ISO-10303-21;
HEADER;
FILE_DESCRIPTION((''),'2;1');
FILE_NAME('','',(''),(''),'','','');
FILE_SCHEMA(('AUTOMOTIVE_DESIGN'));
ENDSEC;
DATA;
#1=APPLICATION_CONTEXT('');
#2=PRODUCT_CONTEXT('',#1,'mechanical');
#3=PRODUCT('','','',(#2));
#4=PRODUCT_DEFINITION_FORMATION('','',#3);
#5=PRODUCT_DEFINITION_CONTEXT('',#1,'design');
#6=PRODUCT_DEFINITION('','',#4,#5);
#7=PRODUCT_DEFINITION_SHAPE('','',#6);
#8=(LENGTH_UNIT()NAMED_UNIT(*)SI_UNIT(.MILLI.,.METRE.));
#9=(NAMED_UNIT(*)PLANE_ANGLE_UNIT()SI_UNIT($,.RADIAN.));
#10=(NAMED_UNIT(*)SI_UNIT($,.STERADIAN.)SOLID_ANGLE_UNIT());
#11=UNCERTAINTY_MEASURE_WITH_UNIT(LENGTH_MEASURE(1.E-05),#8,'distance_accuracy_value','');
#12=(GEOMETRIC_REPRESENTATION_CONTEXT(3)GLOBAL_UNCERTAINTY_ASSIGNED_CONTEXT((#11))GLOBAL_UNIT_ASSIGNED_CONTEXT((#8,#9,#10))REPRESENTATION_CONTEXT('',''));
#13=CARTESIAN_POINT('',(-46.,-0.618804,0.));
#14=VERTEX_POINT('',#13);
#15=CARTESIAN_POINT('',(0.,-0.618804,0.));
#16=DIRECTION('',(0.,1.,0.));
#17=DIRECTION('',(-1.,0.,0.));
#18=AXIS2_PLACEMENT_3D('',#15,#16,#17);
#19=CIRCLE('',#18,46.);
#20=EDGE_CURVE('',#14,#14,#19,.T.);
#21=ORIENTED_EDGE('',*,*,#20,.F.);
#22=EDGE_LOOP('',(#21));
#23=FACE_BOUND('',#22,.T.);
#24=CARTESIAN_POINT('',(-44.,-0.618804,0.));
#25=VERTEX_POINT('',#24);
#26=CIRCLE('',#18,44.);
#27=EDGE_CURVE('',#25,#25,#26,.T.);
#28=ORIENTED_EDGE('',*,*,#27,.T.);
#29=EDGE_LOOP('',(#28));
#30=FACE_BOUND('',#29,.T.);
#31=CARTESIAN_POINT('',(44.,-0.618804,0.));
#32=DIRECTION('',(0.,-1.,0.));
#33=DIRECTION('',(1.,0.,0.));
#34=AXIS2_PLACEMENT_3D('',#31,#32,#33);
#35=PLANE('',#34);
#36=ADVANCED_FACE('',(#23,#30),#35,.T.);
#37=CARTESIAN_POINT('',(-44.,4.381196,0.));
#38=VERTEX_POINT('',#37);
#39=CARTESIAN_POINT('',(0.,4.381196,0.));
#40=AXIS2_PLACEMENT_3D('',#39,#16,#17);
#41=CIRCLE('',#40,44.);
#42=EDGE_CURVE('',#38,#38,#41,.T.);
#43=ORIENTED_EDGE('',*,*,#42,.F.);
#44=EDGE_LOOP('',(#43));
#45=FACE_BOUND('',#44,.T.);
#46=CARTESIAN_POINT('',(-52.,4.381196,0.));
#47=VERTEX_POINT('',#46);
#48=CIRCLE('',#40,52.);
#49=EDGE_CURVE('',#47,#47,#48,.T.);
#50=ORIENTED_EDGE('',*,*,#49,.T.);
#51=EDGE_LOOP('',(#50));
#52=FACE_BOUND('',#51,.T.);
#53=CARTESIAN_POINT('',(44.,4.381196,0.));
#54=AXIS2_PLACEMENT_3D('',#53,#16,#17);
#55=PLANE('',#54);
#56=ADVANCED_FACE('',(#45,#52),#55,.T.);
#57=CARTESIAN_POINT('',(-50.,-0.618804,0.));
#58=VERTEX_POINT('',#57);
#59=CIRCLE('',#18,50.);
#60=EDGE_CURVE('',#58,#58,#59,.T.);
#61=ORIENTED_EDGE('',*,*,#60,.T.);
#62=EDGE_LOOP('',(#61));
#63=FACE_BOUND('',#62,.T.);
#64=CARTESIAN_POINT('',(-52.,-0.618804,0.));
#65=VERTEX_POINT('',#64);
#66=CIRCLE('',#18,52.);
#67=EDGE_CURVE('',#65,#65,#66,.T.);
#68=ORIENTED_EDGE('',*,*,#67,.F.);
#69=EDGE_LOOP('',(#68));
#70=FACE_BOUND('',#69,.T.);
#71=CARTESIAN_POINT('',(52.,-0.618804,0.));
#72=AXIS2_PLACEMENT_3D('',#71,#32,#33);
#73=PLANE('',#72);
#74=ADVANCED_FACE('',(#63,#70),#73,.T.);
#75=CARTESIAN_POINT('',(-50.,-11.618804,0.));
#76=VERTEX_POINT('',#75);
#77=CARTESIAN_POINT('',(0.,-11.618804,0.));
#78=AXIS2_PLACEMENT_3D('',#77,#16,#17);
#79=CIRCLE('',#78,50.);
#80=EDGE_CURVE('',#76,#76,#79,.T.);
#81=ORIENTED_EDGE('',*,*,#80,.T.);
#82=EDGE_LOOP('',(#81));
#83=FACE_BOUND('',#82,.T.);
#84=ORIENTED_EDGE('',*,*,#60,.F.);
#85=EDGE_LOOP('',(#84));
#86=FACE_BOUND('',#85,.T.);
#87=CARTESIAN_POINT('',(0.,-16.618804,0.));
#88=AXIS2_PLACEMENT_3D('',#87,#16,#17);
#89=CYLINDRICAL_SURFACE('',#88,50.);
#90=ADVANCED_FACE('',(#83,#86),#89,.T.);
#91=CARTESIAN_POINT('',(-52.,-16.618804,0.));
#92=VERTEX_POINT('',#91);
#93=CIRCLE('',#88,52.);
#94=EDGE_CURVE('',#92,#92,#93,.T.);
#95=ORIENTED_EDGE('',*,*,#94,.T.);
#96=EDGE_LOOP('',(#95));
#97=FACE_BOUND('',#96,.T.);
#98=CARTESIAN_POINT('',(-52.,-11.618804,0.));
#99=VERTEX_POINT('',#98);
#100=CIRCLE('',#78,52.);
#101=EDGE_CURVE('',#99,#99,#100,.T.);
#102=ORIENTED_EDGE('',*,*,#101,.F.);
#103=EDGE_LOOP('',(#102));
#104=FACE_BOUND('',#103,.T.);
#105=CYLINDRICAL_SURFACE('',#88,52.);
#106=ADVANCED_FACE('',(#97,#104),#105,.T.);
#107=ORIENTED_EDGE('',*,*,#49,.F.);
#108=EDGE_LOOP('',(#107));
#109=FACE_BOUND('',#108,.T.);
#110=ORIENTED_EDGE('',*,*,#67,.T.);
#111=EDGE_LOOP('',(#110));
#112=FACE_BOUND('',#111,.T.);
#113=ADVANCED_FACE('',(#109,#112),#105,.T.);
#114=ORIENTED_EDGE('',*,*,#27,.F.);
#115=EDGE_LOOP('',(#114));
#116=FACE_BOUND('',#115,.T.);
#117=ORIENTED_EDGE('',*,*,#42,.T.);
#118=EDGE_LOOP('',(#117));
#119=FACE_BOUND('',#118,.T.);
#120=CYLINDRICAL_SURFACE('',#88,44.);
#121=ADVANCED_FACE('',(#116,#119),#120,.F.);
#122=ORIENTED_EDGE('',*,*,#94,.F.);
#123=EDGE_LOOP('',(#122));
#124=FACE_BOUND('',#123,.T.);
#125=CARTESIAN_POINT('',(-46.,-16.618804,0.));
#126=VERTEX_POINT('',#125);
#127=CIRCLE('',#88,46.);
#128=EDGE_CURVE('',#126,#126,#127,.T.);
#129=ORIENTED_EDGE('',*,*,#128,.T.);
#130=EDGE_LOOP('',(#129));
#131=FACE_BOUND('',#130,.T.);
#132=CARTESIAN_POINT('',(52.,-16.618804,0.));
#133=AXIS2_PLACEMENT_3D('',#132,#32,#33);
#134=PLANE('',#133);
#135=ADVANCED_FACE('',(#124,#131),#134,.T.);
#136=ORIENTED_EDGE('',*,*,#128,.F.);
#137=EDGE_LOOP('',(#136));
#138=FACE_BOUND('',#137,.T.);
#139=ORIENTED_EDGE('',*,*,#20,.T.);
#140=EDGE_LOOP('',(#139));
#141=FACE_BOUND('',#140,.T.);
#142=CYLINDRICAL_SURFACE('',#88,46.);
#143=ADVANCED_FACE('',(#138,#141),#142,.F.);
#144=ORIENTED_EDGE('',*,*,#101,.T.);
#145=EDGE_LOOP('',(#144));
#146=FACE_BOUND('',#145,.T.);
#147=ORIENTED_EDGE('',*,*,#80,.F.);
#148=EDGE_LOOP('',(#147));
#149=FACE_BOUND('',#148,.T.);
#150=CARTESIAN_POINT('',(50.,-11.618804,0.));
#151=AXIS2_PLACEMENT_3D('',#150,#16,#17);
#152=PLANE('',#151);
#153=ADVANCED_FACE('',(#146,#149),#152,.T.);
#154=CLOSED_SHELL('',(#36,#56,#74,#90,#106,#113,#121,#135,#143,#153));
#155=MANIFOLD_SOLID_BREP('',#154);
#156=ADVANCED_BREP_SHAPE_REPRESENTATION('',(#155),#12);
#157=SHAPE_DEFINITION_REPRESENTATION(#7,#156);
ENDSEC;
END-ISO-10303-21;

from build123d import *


with BuildPart() as part:
    # Sketch1 → Revolve1 (revolve)
    with BuildSketch(Plane(origin=(0, 0, 0), x_dir=(-1, 0, 0), z_dir=(0, 0, -1)), mode=Mode.PRIVATE) as revolve1_sk:
        Polygon((-44, 4.381196481), (-44, -0.618803519), (-46, -0.618803519), (-46, -16.618803519), (-52, -16.618803519), (-52, -11.618803519), (-50, -11.618803519), (-50, -0.618803519), (-52, -0.618803519), (-52, 4.381196481), align=None)
    revolve(revolve1_sk.sketch.rotate(Axis((0, -16.618803519, 0), (0, 1, 0)), 180), axis=Axis((0, -16.618803519, 0), (0, 1, 0)))


solid = part.part
